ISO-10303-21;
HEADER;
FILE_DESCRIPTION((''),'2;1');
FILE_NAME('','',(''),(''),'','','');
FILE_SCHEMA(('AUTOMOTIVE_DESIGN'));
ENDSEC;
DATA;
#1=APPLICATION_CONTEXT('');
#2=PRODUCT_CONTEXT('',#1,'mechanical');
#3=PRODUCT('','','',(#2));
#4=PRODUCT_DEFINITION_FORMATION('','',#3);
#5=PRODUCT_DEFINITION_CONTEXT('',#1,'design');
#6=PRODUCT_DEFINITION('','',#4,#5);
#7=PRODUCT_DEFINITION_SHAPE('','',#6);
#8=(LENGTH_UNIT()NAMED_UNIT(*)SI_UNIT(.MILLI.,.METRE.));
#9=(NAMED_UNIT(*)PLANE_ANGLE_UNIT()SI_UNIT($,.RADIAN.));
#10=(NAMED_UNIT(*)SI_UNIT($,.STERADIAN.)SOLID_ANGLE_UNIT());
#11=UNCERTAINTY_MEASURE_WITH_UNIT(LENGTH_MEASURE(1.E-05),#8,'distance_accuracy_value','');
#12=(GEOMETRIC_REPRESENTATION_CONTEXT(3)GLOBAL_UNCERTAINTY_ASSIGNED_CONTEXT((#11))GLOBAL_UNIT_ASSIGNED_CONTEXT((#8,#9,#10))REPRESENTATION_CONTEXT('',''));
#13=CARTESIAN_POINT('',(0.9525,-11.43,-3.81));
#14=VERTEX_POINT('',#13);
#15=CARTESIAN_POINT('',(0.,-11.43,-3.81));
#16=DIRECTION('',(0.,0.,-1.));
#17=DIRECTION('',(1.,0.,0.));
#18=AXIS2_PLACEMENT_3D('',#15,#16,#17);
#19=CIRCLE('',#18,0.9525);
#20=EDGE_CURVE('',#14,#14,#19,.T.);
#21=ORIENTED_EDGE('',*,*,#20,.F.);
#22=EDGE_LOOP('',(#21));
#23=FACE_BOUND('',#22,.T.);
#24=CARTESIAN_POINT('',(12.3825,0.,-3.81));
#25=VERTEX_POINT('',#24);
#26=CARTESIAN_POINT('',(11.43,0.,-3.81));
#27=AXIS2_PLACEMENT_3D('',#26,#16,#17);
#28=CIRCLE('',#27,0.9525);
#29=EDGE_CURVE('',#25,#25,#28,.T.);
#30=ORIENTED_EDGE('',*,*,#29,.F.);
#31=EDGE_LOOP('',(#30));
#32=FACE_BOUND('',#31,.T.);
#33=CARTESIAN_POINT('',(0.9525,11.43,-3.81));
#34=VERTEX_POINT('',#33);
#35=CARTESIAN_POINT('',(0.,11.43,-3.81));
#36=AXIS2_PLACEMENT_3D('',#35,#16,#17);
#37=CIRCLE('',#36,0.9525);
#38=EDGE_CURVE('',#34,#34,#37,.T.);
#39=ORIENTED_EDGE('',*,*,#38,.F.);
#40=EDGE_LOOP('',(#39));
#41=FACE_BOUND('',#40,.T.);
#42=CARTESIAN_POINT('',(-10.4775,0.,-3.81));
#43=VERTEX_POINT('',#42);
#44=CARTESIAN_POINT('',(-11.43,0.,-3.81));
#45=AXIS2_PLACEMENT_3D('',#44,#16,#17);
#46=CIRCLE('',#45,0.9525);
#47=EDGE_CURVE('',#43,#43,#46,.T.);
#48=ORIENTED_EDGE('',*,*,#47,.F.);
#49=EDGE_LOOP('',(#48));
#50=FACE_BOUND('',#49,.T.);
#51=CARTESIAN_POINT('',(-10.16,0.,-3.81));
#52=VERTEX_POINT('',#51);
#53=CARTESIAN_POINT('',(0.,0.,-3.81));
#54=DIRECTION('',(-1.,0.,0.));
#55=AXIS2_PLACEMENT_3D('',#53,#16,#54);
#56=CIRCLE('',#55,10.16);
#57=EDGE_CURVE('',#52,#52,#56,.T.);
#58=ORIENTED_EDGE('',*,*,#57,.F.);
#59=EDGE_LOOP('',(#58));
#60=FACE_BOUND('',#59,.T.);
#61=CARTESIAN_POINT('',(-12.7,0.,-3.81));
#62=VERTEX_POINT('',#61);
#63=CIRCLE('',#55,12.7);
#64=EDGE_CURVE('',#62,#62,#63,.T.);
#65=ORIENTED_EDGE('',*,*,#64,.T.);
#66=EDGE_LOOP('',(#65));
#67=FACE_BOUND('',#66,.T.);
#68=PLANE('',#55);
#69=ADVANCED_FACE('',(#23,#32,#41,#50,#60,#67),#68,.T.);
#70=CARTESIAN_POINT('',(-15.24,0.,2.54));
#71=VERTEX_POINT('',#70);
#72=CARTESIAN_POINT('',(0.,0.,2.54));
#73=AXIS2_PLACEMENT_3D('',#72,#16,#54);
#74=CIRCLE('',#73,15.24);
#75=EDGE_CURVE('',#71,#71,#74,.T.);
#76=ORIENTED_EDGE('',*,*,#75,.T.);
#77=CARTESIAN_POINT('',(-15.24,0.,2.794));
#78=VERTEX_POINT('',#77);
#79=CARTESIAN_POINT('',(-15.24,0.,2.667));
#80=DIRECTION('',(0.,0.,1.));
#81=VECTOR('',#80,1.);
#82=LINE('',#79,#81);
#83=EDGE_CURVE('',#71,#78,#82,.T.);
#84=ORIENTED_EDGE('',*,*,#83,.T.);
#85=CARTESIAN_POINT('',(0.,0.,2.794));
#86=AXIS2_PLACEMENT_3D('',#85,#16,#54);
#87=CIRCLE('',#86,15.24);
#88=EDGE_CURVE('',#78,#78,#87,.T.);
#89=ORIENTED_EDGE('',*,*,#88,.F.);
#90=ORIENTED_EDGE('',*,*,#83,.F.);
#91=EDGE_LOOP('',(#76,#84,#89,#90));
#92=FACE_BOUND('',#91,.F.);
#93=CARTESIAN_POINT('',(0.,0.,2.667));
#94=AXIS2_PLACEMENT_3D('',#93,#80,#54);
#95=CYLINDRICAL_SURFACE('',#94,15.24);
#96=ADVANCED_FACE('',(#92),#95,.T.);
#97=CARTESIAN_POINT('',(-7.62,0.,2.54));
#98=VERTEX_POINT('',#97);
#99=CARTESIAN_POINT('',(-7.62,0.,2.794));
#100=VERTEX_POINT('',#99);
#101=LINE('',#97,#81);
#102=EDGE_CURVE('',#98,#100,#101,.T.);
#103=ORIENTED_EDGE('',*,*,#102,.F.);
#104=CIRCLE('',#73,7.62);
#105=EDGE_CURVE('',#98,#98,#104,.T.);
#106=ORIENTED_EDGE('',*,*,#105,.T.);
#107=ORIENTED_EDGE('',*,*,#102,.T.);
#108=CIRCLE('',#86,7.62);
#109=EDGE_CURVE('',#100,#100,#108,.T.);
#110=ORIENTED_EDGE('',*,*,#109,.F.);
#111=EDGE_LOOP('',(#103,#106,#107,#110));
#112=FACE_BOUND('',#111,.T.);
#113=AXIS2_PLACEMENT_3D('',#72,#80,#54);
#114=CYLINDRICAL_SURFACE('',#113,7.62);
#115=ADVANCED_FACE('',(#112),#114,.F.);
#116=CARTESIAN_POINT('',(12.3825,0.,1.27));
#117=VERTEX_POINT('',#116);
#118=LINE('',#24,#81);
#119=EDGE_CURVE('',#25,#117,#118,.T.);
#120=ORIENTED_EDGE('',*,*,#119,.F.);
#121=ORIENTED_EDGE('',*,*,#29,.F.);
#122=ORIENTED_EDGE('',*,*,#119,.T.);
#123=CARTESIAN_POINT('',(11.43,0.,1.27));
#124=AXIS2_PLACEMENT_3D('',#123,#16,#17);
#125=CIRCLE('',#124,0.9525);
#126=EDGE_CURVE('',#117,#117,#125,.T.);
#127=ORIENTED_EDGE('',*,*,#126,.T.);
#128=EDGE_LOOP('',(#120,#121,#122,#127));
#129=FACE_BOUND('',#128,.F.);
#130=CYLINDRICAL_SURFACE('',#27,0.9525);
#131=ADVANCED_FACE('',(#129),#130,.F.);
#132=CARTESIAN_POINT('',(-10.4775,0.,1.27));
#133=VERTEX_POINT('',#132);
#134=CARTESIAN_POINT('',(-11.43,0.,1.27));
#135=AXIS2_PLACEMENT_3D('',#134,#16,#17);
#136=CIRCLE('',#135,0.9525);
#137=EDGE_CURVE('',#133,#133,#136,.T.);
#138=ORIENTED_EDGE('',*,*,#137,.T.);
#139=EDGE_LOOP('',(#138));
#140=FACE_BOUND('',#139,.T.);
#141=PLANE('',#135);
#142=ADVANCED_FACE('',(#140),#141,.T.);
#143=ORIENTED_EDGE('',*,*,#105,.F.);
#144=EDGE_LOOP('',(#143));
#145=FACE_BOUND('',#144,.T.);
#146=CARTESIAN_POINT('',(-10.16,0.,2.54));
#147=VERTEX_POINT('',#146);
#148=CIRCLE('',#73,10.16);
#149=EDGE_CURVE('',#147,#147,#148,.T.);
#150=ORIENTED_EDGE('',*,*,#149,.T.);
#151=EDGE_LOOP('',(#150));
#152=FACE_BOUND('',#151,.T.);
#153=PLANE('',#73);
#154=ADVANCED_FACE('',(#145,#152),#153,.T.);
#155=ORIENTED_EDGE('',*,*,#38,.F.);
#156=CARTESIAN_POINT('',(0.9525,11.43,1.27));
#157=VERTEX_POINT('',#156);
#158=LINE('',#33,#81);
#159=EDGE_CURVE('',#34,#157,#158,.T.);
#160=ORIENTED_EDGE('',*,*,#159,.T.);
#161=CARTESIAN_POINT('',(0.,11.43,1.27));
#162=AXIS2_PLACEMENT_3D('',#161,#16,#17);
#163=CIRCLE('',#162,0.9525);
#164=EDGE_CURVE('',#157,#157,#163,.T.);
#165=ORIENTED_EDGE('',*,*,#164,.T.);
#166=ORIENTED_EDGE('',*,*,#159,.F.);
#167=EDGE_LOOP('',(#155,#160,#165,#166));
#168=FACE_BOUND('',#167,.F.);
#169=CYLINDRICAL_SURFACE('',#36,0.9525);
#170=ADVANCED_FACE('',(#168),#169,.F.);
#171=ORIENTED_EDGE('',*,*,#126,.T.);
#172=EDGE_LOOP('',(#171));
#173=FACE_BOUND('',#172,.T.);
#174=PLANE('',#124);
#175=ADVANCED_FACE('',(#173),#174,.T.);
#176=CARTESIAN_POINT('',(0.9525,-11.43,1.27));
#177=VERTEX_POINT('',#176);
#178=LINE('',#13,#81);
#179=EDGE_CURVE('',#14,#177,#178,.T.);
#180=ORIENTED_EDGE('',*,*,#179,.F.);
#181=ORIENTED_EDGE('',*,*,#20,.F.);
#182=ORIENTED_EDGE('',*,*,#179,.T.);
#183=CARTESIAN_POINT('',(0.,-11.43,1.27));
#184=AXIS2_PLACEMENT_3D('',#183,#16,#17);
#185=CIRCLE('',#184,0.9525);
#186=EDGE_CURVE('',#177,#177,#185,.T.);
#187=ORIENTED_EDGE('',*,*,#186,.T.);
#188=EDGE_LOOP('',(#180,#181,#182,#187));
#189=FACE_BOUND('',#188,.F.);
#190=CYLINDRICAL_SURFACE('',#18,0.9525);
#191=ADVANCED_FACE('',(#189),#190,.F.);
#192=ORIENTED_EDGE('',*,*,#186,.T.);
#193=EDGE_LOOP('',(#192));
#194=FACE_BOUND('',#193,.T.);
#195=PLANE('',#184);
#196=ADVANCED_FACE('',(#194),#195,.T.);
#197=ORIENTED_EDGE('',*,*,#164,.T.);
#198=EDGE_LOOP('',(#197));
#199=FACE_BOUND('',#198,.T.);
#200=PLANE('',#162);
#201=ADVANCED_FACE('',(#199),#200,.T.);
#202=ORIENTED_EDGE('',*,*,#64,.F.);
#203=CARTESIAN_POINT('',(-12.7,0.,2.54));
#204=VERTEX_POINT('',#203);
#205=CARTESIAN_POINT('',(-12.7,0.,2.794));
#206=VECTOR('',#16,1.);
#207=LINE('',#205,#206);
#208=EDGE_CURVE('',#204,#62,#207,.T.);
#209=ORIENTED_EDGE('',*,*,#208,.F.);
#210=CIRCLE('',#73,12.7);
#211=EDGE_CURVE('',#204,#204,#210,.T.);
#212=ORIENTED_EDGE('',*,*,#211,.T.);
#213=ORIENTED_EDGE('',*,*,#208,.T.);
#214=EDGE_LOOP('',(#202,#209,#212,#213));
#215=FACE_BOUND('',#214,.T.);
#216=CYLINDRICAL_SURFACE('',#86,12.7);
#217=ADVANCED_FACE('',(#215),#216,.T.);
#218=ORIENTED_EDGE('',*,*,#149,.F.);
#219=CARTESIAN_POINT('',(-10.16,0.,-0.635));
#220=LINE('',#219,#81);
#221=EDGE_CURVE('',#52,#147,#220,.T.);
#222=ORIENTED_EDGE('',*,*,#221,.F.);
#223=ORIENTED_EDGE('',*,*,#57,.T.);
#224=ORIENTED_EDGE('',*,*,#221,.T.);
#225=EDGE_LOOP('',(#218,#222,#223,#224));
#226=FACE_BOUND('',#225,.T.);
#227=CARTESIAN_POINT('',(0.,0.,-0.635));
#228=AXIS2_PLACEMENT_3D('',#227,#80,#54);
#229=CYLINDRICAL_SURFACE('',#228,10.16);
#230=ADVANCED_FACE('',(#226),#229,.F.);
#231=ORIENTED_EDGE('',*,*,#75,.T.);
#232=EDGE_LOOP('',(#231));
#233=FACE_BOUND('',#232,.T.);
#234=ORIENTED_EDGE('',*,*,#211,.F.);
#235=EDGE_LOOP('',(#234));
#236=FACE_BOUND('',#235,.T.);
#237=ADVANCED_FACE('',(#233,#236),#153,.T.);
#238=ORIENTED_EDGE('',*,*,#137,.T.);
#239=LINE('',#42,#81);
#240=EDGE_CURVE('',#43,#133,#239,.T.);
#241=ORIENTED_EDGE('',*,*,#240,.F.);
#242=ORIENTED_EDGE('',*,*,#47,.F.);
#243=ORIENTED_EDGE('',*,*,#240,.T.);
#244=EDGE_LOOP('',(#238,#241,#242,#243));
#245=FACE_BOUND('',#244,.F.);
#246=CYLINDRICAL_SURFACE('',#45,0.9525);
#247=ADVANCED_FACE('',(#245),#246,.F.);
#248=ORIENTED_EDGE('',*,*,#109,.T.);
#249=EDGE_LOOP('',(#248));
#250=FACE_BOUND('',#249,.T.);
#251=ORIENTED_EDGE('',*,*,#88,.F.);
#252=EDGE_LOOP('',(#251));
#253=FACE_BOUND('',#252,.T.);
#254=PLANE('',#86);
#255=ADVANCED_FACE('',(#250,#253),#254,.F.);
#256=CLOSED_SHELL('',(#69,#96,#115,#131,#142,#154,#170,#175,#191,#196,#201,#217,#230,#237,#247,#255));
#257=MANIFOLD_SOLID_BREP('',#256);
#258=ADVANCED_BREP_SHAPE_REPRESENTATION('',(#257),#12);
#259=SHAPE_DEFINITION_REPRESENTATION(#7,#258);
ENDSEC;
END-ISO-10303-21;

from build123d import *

# Parameters (mm, degrees)
F0_W     = 2.54
F0_H     = 6.35
F0_H_2   = 0.254
F2_R     = 0.9525
F3_DEPTH = 5.08


with BuildPart() as f1:
    # F0 (on Front) → F1 (revolve)
    with BuildSketch(Plane.XZ):
        Polygon((-12.7, 2.794), (-12.7, 2.54), (-10.16, 2.54), (-7.62, 2.54), (-7.62, 2.794), align=None)
        with Locations((-11.43, -0.635)):
            Rectangle(F0_W, F0_H)
        with Locations((-13.97, 2.667)):
            Rectangle(F0_W, F0_H_2)
    revolve(axis=Axis((0, 0, 0.05052), (0, 0, -1)))

    # F2 (on face) → F3 (cut)
    with BuildSketch(Plane(origin=(0, 0, -3.81), x_dir=(1, 0, 0), z_dir=(0, 0, -1))):
        with Locations((0, 11.43)):
            Circle(F2_R)
        with Locations((-11.43, 0)):
            Circle(F2_R)
        with Locations((11.43, 0)):
            Circle(F2_R)
        with Locations((0, -11.43)):
            Circle(F2_R)
    extrude(amount=-F3_DEPTH, mode=Mode.SUBTRACT)


solid = f1.part
